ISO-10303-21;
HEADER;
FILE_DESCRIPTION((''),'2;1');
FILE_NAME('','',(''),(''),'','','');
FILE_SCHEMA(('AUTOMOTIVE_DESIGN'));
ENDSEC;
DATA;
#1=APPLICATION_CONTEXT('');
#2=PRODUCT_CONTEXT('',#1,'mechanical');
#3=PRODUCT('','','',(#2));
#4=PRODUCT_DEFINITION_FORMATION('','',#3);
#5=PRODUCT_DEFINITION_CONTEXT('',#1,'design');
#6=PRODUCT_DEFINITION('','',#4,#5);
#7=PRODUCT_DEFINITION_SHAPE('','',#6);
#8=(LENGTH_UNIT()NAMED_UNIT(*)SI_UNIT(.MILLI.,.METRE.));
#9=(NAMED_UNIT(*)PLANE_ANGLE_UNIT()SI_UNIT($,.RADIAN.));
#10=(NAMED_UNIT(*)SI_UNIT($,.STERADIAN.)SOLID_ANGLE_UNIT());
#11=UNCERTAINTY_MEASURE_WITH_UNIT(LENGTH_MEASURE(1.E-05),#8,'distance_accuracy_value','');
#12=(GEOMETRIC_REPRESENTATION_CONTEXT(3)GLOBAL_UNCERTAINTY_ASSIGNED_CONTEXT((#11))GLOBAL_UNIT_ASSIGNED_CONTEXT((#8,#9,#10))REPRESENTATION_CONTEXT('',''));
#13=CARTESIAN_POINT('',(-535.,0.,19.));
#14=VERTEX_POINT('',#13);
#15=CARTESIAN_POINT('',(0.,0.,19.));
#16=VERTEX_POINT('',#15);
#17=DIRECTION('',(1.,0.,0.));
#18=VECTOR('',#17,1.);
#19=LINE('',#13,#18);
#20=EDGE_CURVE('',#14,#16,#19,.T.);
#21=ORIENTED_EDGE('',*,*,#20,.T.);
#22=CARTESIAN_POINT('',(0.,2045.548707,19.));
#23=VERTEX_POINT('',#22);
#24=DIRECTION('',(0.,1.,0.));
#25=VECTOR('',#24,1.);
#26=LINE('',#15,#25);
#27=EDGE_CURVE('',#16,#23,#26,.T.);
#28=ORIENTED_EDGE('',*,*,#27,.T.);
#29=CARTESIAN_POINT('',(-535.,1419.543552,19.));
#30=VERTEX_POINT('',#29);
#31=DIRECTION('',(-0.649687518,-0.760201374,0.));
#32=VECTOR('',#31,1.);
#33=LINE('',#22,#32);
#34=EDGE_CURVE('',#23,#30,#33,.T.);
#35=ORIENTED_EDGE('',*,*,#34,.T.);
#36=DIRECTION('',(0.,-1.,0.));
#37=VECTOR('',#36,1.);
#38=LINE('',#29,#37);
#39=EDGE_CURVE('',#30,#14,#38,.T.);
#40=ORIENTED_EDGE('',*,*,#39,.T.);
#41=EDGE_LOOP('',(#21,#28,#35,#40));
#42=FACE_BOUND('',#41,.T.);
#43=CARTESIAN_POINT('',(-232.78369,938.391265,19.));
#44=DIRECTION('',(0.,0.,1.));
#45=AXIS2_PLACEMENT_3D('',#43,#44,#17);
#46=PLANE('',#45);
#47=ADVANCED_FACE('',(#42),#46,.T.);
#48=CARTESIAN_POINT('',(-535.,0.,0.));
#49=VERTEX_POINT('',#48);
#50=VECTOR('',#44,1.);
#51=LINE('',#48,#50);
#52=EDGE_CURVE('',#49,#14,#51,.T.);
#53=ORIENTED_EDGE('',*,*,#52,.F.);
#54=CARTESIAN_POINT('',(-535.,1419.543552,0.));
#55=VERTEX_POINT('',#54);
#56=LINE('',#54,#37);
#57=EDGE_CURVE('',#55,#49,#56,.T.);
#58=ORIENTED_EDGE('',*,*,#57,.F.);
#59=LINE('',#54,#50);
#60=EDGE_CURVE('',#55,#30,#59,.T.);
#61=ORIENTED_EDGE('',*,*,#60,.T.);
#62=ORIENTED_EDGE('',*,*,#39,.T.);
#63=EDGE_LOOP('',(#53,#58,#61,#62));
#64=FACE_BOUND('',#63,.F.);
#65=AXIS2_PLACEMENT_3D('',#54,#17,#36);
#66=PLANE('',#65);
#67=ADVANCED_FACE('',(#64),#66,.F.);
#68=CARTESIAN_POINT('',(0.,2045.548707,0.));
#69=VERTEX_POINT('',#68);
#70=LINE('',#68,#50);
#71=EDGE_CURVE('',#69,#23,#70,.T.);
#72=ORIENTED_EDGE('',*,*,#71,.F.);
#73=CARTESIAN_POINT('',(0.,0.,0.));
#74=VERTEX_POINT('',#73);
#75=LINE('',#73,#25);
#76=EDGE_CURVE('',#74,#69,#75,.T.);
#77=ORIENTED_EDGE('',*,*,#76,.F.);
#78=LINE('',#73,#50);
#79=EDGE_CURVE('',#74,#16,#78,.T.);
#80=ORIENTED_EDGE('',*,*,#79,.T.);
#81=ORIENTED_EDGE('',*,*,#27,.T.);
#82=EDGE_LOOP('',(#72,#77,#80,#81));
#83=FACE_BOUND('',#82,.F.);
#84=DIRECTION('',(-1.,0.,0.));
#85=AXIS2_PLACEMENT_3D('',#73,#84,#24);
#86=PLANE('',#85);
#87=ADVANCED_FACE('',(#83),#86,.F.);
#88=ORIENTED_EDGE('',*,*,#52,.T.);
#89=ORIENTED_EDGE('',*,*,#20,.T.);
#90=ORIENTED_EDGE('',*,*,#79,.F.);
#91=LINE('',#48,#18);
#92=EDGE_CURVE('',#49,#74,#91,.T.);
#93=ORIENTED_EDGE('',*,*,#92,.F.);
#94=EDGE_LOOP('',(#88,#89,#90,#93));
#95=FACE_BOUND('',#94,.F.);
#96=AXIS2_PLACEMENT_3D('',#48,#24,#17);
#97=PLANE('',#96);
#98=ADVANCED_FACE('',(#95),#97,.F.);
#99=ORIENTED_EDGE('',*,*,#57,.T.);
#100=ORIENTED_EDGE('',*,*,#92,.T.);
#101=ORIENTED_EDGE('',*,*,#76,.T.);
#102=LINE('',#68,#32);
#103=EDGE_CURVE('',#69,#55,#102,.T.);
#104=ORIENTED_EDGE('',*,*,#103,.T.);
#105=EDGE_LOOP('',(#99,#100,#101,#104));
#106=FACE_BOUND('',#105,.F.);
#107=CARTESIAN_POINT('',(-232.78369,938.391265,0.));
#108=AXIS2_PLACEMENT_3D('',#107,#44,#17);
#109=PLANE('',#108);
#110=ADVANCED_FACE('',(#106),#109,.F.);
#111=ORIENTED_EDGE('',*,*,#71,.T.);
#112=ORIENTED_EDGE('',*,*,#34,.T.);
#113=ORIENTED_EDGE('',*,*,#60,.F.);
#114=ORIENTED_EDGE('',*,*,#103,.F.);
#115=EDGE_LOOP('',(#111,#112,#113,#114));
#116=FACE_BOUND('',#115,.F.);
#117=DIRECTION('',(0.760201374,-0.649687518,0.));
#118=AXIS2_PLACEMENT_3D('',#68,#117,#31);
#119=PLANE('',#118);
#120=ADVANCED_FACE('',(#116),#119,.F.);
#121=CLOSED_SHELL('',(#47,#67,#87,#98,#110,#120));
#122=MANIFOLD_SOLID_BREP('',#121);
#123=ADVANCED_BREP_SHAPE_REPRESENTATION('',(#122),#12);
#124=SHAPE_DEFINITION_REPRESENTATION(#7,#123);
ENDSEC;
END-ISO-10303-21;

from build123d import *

# Parameters (mm, degrees)
PAD_DEPTH = 19


with BuildPart() as part:
    # Sketch → Pad (new body)
    with BuildSketch(Plane.XY):
        Polygon((0, 0), (0, 2045.548707), (-535, 1419.543552), (-535, 0), align=None)
    extrude(amount=PAD_DEPTH)


solid = part.part
